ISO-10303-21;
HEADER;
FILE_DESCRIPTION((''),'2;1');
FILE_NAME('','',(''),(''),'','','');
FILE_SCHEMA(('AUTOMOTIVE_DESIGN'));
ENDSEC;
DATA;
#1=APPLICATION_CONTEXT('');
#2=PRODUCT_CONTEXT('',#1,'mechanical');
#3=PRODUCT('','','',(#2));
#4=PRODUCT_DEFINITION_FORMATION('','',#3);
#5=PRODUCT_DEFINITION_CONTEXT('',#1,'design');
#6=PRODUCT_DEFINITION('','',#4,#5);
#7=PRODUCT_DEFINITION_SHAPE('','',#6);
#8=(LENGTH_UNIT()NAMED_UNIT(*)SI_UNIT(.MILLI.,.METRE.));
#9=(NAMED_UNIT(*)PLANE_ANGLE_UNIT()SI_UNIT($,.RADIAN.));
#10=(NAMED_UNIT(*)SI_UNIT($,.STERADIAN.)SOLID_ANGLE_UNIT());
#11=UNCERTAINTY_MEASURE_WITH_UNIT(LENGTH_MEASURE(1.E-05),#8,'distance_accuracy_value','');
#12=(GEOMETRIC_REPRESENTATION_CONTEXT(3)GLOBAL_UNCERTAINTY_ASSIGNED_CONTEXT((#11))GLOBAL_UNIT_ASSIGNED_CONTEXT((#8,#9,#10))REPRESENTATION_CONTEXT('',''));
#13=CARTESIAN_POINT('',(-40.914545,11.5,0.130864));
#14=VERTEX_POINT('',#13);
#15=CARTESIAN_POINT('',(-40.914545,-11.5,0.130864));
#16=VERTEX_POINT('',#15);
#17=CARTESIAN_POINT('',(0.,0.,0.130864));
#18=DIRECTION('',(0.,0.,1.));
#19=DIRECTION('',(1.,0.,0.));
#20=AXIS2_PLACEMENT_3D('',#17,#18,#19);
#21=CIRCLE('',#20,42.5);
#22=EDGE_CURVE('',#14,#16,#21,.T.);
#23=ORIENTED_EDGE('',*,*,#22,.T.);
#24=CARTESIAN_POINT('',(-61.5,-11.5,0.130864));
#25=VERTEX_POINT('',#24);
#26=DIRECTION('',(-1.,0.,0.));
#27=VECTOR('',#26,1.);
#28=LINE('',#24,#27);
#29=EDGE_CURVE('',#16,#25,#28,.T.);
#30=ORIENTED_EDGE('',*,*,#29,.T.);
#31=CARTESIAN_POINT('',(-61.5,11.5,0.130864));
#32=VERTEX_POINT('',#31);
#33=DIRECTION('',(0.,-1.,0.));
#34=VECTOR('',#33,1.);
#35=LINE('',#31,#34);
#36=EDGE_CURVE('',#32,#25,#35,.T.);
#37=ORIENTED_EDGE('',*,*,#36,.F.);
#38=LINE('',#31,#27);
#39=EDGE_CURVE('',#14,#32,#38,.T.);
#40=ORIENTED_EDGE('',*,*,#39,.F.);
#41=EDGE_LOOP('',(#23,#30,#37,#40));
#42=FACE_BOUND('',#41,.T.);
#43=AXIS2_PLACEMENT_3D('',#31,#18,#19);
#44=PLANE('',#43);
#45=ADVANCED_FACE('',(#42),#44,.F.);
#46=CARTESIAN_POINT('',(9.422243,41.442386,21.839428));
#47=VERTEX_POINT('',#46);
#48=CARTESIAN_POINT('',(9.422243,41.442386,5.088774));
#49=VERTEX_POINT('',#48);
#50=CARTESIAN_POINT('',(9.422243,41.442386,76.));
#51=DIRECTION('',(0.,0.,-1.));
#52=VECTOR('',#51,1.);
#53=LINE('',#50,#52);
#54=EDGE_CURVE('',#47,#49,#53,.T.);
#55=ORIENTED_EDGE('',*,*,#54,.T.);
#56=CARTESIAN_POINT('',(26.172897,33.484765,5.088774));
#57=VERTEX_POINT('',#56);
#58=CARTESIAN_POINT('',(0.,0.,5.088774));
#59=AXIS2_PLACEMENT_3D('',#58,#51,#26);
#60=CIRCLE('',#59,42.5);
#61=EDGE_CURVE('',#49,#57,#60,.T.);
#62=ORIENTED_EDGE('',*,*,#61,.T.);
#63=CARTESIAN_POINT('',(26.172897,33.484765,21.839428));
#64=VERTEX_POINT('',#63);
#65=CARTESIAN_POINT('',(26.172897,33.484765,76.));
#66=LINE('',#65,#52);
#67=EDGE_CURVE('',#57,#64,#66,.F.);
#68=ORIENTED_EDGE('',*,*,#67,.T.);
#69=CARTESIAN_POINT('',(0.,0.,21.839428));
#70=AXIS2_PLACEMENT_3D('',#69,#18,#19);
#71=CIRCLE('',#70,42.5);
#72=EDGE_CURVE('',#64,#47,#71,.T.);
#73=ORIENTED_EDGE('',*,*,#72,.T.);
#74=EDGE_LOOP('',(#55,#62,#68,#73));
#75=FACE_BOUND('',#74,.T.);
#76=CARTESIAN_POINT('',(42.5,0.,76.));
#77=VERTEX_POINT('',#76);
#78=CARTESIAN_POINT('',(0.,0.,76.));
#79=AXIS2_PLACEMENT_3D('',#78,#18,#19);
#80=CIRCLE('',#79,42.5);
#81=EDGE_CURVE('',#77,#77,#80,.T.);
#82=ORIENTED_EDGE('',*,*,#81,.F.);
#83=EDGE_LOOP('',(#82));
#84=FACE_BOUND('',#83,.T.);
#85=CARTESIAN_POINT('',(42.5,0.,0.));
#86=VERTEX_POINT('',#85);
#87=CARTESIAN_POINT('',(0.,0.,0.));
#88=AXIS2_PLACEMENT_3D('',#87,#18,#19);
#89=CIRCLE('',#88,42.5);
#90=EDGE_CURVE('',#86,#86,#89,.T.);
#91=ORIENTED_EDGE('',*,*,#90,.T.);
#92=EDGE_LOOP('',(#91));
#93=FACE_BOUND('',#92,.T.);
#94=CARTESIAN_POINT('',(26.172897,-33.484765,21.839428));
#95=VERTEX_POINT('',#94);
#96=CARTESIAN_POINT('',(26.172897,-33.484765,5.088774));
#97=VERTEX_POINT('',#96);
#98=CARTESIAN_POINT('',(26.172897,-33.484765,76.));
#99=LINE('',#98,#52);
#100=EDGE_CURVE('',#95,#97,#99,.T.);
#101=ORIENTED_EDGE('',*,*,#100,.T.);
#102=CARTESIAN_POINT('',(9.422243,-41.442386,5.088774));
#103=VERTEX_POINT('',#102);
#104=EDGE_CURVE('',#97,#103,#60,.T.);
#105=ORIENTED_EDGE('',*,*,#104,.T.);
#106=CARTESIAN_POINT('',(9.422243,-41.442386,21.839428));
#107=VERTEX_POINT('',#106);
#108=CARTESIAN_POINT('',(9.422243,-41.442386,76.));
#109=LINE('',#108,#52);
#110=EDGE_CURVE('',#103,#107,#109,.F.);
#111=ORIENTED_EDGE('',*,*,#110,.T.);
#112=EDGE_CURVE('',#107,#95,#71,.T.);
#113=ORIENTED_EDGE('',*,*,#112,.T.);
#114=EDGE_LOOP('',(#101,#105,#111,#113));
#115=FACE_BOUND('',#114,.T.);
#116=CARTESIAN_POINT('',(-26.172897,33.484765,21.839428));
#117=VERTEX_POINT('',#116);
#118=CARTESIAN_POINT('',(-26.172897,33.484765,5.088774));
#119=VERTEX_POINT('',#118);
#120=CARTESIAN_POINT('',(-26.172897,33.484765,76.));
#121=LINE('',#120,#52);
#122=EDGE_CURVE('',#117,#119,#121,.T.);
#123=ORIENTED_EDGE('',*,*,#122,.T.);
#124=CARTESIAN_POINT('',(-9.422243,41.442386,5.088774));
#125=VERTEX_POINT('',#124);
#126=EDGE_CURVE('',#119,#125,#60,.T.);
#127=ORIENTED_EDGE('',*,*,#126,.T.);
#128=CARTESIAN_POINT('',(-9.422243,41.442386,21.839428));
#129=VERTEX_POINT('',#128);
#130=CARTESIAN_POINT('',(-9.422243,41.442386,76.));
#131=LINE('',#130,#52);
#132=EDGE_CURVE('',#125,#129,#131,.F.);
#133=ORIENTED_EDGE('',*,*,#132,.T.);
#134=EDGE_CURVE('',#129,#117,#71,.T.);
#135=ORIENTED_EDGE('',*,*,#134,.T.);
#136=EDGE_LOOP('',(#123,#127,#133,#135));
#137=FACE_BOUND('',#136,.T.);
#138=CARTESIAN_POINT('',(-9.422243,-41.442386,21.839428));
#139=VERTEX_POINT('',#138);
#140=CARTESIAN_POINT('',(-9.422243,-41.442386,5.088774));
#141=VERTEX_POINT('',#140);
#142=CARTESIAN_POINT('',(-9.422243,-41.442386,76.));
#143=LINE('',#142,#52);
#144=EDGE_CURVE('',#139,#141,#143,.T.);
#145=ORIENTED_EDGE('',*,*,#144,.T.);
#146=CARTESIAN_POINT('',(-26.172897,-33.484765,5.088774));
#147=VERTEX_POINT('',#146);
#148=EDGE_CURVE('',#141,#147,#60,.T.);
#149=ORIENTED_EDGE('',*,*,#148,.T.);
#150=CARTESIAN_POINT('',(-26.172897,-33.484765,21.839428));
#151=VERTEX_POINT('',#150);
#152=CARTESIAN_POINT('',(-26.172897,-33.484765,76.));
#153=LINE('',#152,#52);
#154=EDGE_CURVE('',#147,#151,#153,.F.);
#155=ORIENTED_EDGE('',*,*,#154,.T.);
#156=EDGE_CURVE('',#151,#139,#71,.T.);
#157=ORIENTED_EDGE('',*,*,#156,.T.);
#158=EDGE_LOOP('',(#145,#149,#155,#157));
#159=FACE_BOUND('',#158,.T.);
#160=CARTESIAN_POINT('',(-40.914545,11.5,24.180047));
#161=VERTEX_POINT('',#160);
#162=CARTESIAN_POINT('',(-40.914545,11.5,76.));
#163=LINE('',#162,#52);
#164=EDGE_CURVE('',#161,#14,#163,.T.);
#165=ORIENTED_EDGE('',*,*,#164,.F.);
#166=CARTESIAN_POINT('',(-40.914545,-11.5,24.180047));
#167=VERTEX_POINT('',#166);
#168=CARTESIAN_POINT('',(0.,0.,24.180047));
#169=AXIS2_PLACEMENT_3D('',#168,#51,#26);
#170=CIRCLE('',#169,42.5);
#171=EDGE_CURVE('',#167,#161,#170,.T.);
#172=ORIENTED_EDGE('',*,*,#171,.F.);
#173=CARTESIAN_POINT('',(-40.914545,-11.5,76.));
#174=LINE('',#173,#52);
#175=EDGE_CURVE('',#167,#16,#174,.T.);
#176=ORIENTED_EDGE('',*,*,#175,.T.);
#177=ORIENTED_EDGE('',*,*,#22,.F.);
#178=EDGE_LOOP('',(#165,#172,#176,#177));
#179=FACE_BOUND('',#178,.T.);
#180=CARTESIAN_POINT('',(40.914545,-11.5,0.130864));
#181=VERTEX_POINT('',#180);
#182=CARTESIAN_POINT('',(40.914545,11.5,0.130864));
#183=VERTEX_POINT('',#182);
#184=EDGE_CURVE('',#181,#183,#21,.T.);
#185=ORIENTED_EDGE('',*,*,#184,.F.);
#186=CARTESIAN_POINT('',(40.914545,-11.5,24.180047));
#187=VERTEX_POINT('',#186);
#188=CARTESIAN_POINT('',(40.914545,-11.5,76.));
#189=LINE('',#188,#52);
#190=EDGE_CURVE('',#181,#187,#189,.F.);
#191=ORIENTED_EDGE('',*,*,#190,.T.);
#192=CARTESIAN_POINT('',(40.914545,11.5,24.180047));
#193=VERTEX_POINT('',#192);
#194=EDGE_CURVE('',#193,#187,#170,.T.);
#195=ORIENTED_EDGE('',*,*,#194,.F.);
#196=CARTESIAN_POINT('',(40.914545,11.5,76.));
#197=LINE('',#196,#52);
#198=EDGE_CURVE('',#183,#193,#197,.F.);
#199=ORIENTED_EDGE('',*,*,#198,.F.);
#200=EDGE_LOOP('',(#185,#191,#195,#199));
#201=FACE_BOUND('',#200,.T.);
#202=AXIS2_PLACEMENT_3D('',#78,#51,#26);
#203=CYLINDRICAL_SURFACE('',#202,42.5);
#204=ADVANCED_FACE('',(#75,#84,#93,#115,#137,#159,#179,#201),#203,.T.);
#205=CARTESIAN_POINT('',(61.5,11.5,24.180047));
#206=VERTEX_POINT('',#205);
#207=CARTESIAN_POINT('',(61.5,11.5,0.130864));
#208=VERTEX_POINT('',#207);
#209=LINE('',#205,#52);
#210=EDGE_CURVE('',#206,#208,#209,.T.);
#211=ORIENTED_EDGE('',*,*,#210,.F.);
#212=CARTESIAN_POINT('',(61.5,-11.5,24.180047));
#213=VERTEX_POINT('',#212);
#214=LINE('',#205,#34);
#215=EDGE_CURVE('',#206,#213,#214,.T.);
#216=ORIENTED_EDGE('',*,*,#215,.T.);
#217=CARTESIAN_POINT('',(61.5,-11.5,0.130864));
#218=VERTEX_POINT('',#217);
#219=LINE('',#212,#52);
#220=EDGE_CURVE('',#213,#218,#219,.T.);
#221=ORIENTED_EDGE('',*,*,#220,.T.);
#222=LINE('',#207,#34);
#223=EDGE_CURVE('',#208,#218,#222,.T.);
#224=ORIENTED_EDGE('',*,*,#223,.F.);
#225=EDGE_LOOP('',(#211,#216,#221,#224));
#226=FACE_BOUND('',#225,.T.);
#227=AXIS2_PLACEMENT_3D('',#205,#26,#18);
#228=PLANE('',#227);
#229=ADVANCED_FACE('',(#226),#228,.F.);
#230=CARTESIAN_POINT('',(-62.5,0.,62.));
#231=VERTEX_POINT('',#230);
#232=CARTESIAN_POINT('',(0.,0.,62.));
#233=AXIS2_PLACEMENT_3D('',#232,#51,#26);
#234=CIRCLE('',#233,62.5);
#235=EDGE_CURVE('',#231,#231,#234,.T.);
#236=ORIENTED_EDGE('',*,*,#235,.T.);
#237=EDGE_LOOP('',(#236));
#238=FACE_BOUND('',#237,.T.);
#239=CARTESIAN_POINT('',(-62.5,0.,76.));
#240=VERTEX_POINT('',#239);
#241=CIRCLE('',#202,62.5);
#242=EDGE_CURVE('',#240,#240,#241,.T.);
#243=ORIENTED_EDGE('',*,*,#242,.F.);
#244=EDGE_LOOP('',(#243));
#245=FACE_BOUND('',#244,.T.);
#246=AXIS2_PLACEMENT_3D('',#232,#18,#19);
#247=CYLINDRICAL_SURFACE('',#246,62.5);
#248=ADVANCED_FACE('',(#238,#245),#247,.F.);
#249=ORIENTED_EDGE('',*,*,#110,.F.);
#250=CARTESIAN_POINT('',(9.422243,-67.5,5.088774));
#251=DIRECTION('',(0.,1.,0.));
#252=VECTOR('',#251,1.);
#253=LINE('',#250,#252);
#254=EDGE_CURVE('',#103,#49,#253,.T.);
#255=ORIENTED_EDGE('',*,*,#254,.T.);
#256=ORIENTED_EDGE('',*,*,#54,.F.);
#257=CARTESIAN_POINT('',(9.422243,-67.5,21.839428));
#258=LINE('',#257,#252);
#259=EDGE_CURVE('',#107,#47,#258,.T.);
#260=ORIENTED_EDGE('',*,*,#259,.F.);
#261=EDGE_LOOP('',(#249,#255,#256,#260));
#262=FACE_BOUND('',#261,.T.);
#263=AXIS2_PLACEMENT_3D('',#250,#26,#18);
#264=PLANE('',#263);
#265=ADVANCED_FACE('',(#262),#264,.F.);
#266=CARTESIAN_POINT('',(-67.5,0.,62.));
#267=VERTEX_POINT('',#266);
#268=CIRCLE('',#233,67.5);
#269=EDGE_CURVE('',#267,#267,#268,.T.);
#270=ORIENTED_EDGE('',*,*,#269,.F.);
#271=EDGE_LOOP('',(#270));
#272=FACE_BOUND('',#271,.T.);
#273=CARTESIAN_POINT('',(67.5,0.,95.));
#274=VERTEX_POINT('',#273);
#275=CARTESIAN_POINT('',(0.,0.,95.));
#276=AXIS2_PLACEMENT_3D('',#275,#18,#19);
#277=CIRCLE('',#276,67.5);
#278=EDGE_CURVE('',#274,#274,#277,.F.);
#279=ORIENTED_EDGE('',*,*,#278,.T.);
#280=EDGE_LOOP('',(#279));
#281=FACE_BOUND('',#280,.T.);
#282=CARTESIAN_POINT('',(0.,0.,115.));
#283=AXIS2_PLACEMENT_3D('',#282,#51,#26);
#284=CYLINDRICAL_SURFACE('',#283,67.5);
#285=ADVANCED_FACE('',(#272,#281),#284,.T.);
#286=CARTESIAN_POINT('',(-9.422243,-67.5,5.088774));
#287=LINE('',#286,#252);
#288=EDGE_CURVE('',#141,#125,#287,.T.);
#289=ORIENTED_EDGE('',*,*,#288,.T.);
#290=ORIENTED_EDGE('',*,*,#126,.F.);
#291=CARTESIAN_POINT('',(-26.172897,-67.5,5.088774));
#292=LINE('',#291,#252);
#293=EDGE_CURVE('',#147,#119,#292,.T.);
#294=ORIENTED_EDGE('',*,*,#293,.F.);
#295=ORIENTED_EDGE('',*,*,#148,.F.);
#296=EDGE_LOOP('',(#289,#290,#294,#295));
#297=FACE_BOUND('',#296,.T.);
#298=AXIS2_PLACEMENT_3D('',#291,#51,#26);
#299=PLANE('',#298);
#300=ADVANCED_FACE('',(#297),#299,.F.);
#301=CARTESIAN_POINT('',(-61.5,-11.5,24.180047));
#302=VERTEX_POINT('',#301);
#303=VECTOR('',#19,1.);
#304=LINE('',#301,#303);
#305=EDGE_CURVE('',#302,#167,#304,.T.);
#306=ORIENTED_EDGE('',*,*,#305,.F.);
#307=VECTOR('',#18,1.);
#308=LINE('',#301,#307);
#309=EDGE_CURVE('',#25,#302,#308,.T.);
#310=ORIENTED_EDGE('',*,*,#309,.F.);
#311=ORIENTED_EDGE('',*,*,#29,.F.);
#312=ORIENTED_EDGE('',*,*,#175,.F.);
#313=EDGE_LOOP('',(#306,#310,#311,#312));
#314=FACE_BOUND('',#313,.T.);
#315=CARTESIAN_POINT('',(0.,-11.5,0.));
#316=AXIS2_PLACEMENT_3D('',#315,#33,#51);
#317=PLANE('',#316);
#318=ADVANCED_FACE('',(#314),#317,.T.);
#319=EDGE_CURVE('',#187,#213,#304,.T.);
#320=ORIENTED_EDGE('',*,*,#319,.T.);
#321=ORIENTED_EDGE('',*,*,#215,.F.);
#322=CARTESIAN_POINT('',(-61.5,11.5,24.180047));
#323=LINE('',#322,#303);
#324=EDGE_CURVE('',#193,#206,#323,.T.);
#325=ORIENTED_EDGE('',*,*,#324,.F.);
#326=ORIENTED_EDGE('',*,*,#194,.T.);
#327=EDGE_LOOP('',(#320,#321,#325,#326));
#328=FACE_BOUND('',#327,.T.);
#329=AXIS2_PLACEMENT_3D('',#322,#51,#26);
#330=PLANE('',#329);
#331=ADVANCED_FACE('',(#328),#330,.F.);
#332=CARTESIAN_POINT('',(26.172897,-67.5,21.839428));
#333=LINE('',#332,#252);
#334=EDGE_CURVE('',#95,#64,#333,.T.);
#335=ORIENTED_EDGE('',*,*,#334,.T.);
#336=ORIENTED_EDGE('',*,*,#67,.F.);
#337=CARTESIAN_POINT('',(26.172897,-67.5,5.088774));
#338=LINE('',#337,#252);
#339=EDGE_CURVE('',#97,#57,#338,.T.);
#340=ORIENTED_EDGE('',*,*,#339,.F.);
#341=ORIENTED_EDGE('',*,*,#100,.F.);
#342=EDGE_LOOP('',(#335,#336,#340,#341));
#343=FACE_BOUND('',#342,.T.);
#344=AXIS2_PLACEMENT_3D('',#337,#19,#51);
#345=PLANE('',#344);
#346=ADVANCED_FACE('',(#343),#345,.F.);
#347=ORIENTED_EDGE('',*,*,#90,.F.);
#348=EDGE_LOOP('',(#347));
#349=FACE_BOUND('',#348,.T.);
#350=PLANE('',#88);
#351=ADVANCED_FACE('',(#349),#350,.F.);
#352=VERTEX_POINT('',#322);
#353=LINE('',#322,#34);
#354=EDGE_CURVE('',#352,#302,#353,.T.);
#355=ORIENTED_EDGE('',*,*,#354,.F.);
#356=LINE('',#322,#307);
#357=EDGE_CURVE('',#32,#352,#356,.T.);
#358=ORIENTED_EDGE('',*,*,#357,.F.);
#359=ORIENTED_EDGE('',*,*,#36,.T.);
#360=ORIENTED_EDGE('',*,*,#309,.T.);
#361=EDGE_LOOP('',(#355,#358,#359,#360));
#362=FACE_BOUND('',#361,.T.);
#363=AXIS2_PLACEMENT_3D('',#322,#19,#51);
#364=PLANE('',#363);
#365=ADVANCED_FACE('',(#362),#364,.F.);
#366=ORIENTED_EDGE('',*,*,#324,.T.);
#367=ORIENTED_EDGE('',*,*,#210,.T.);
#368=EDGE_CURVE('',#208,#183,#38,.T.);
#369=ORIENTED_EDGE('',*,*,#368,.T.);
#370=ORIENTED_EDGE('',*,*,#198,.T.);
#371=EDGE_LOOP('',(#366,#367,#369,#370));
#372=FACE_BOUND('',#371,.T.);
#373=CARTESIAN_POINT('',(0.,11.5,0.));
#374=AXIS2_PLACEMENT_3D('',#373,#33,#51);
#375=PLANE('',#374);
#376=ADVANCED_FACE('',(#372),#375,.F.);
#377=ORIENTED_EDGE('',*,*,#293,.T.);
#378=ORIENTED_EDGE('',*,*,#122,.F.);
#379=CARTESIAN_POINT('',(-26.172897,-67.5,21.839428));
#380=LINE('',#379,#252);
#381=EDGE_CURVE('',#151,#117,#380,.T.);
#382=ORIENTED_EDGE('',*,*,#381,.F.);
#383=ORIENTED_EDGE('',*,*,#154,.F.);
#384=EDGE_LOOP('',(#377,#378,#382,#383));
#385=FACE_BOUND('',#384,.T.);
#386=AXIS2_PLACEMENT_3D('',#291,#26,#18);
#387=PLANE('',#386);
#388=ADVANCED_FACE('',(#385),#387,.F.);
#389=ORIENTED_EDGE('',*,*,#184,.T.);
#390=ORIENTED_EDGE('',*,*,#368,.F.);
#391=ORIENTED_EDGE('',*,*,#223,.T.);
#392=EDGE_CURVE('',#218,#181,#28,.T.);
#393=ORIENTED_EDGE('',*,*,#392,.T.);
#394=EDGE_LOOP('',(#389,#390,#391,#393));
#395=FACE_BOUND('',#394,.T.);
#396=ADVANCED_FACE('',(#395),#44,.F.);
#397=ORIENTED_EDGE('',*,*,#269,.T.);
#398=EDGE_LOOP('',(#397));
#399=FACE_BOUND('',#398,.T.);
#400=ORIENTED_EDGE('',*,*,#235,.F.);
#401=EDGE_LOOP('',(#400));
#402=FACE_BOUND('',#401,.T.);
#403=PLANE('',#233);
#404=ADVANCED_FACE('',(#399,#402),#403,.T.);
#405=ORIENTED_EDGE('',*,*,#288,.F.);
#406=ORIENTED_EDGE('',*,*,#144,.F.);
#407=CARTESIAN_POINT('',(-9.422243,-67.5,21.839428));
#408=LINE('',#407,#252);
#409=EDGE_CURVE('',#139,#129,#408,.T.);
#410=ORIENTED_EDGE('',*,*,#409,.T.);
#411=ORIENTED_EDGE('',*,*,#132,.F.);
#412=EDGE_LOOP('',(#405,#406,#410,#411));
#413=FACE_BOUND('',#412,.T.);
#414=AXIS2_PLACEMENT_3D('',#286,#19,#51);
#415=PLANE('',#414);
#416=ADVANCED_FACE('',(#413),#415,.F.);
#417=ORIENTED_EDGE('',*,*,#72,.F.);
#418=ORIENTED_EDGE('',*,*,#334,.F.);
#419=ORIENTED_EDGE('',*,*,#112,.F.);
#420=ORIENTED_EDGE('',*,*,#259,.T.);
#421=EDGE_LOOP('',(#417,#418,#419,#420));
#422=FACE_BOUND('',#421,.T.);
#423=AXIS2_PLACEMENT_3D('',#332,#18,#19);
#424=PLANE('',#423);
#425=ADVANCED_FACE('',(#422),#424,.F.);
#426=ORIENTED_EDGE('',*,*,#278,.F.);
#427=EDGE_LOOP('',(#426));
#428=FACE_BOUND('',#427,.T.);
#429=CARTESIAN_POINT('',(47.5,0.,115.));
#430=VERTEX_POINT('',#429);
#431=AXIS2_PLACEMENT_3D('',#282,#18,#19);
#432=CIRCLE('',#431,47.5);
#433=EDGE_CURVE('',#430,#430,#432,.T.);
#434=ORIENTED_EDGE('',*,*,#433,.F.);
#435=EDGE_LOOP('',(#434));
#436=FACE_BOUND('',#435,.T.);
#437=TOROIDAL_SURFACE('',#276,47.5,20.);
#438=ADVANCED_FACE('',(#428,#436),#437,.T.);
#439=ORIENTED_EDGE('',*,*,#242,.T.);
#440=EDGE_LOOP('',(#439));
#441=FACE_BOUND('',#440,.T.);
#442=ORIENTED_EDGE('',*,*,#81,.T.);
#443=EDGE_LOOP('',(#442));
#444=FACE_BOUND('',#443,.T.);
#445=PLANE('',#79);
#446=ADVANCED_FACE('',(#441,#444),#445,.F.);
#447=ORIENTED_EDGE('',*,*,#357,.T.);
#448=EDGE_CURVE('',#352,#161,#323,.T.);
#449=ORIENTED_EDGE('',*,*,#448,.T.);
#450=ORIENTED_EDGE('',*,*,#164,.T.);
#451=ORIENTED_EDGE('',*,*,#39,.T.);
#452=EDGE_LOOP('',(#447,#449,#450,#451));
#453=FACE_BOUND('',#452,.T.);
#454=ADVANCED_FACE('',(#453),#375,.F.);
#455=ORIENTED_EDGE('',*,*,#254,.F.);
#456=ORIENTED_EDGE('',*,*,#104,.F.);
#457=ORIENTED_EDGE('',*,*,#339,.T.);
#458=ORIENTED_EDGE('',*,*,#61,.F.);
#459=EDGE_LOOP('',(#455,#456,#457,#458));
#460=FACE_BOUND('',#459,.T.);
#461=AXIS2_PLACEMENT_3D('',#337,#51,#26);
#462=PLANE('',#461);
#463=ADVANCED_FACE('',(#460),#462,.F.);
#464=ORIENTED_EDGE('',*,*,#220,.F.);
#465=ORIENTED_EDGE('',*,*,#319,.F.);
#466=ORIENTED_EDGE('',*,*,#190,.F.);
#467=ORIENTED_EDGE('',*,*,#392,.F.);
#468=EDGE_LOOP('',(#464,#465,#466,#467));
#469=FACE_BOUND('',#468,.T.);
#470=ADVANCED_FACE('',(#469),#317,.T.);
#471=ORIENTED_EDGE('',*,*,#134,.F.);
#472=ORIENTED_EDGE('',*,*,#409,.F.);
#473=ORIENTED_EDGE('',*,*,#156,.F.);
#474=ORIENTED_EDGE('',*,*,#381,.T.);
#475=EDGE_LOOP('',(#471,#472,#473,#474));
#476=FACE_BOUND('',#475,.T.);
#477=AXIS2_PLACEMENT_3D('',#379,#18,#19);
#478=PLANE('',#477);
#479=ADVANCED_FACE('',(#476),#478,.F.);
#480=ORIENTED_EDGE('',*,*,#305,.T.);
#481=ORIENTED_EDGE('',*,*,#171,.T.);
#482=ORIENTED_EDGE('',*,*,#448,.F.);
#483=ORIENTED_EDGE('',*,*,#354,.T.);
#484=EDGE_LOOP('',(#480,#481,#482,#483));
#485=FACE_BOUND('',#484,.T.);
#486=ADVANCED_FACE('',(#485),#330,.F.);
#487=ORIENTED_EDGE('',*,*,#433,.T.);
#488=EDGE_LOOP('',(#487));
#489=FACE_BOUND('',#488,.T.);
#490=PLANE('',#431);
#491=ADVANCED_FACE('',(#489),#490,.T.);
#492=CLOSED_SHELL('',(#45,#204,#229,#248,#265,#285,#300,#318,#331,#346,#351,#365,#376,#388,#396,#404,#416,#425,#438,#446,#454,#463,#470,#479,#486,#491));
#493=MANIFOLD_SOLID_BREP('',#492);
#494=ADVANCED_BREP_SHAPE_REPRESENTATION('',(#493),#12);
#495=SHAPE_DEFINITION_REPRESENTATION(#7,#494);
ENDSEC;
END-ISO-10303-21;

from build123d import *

# Parameters (mm, degrees)
SKETCH1_R               = 42.5
BOSS_EXTRUDE1_DEPTH     = 76
SKETCH2_R               = 67.5
BOSS_EXTRUDE2_DEPTH     = 39
FILLET1_R               = 20
BOSS_EXTRUDE3_START     = 14
SKETCH3_R               = 67.5
SKETCH3_R_2             = 62.5
BOSS_EXTRUDE3_DEPTH     = 14
SKETCH4_W               = 123
SKETCH4_H               = 24.049182643
BOSS_EXTRUDE4_DEPTH     = 11.5
CUT_EXTRUDE1_DEPTH      = 150.457351776
CUT_EXTRUDE1_DEPTH_BACK = 150.457351776
SKETCH5_W               = 16.750654132
SKETCH5_H               = 16.750654132


with BuildPart() as part:
    # Sketch1 → Boss-Extrude1 (new body)
    with BuildSketch(Plane.XY):
        Circle(SKETCH1_R)
    extrude(amount=BOSS_EXTRUDE1_DEPTH)

    # Sketch2 → Boss-Extrude2 (add)
    with BuildSketch(Plane.XY.offset(76)):
        Circle(SKETCH2_R)
    extrude(amount=BOSS_EXTRUDE2_DEPTH)

    # Fillet1
    fillet1_edges = [part.edges().sort_by_distance(p)[0] for p in [
        (-67.5, 0, 115),
    ]]
    fillet(fillet1_edges, radius=FILLET1_R)

    # Sketch3 → Boss-Extrude3 (add)
    with BuildSketch(Plane(origin=(0, 0, 76), x_dir=(-1, 0, 0), z_dir=(0, 0, -1)).offset(BOSS_EXTRUDE3_START)):
        Circle(SKETCH3_R)
        Circle(SKETCH3_R_2, mode=Mode.SUBTRACT)
    extrude(amount=-BOSS_EXTRUDE3_DEPTH)

    # Sketch4 → Boss-Extrude4 (add, symmetric)
    with BuildSketch(Plane(origin=(0, 0, 0), x_dir=(1, 0, 0), z_dir=(0, 1, 0))):
        with Locations((0, -12.155455807)):
            Rectangle(SKETCH4_W, SKETCH4_H)
    extrude(amount=BOSS_EXTRUDE4_DEPTH, both=True)

    # Sketch5 → Cut-Extrude1 (cut, two sides: drawn at the far end of the back side and taken through both)
    with BuildSketch(Plane(origin=(0, 0, 0), x_dir=(1, 0, 0), z_dir=(0, 1, 0)).offset(-CUT_EXTRUDE1_DEPTH_BACK)):
        with Locations((-17.797570015, -13.464100661)):
            Rectangle(SKETCH5_W, SKETCH5_H)
        with Locations((17.797570015, -13.464100661)):
            Rectangle(SKETCH5_W, SKETCH5_H)
    extrude(amount=CUT_EXTRUDE1_DEPTH + CUT_EXTRUDE1_DEPTH_BACK, mode=Mode.SUBTRACT)


solid = part.part
